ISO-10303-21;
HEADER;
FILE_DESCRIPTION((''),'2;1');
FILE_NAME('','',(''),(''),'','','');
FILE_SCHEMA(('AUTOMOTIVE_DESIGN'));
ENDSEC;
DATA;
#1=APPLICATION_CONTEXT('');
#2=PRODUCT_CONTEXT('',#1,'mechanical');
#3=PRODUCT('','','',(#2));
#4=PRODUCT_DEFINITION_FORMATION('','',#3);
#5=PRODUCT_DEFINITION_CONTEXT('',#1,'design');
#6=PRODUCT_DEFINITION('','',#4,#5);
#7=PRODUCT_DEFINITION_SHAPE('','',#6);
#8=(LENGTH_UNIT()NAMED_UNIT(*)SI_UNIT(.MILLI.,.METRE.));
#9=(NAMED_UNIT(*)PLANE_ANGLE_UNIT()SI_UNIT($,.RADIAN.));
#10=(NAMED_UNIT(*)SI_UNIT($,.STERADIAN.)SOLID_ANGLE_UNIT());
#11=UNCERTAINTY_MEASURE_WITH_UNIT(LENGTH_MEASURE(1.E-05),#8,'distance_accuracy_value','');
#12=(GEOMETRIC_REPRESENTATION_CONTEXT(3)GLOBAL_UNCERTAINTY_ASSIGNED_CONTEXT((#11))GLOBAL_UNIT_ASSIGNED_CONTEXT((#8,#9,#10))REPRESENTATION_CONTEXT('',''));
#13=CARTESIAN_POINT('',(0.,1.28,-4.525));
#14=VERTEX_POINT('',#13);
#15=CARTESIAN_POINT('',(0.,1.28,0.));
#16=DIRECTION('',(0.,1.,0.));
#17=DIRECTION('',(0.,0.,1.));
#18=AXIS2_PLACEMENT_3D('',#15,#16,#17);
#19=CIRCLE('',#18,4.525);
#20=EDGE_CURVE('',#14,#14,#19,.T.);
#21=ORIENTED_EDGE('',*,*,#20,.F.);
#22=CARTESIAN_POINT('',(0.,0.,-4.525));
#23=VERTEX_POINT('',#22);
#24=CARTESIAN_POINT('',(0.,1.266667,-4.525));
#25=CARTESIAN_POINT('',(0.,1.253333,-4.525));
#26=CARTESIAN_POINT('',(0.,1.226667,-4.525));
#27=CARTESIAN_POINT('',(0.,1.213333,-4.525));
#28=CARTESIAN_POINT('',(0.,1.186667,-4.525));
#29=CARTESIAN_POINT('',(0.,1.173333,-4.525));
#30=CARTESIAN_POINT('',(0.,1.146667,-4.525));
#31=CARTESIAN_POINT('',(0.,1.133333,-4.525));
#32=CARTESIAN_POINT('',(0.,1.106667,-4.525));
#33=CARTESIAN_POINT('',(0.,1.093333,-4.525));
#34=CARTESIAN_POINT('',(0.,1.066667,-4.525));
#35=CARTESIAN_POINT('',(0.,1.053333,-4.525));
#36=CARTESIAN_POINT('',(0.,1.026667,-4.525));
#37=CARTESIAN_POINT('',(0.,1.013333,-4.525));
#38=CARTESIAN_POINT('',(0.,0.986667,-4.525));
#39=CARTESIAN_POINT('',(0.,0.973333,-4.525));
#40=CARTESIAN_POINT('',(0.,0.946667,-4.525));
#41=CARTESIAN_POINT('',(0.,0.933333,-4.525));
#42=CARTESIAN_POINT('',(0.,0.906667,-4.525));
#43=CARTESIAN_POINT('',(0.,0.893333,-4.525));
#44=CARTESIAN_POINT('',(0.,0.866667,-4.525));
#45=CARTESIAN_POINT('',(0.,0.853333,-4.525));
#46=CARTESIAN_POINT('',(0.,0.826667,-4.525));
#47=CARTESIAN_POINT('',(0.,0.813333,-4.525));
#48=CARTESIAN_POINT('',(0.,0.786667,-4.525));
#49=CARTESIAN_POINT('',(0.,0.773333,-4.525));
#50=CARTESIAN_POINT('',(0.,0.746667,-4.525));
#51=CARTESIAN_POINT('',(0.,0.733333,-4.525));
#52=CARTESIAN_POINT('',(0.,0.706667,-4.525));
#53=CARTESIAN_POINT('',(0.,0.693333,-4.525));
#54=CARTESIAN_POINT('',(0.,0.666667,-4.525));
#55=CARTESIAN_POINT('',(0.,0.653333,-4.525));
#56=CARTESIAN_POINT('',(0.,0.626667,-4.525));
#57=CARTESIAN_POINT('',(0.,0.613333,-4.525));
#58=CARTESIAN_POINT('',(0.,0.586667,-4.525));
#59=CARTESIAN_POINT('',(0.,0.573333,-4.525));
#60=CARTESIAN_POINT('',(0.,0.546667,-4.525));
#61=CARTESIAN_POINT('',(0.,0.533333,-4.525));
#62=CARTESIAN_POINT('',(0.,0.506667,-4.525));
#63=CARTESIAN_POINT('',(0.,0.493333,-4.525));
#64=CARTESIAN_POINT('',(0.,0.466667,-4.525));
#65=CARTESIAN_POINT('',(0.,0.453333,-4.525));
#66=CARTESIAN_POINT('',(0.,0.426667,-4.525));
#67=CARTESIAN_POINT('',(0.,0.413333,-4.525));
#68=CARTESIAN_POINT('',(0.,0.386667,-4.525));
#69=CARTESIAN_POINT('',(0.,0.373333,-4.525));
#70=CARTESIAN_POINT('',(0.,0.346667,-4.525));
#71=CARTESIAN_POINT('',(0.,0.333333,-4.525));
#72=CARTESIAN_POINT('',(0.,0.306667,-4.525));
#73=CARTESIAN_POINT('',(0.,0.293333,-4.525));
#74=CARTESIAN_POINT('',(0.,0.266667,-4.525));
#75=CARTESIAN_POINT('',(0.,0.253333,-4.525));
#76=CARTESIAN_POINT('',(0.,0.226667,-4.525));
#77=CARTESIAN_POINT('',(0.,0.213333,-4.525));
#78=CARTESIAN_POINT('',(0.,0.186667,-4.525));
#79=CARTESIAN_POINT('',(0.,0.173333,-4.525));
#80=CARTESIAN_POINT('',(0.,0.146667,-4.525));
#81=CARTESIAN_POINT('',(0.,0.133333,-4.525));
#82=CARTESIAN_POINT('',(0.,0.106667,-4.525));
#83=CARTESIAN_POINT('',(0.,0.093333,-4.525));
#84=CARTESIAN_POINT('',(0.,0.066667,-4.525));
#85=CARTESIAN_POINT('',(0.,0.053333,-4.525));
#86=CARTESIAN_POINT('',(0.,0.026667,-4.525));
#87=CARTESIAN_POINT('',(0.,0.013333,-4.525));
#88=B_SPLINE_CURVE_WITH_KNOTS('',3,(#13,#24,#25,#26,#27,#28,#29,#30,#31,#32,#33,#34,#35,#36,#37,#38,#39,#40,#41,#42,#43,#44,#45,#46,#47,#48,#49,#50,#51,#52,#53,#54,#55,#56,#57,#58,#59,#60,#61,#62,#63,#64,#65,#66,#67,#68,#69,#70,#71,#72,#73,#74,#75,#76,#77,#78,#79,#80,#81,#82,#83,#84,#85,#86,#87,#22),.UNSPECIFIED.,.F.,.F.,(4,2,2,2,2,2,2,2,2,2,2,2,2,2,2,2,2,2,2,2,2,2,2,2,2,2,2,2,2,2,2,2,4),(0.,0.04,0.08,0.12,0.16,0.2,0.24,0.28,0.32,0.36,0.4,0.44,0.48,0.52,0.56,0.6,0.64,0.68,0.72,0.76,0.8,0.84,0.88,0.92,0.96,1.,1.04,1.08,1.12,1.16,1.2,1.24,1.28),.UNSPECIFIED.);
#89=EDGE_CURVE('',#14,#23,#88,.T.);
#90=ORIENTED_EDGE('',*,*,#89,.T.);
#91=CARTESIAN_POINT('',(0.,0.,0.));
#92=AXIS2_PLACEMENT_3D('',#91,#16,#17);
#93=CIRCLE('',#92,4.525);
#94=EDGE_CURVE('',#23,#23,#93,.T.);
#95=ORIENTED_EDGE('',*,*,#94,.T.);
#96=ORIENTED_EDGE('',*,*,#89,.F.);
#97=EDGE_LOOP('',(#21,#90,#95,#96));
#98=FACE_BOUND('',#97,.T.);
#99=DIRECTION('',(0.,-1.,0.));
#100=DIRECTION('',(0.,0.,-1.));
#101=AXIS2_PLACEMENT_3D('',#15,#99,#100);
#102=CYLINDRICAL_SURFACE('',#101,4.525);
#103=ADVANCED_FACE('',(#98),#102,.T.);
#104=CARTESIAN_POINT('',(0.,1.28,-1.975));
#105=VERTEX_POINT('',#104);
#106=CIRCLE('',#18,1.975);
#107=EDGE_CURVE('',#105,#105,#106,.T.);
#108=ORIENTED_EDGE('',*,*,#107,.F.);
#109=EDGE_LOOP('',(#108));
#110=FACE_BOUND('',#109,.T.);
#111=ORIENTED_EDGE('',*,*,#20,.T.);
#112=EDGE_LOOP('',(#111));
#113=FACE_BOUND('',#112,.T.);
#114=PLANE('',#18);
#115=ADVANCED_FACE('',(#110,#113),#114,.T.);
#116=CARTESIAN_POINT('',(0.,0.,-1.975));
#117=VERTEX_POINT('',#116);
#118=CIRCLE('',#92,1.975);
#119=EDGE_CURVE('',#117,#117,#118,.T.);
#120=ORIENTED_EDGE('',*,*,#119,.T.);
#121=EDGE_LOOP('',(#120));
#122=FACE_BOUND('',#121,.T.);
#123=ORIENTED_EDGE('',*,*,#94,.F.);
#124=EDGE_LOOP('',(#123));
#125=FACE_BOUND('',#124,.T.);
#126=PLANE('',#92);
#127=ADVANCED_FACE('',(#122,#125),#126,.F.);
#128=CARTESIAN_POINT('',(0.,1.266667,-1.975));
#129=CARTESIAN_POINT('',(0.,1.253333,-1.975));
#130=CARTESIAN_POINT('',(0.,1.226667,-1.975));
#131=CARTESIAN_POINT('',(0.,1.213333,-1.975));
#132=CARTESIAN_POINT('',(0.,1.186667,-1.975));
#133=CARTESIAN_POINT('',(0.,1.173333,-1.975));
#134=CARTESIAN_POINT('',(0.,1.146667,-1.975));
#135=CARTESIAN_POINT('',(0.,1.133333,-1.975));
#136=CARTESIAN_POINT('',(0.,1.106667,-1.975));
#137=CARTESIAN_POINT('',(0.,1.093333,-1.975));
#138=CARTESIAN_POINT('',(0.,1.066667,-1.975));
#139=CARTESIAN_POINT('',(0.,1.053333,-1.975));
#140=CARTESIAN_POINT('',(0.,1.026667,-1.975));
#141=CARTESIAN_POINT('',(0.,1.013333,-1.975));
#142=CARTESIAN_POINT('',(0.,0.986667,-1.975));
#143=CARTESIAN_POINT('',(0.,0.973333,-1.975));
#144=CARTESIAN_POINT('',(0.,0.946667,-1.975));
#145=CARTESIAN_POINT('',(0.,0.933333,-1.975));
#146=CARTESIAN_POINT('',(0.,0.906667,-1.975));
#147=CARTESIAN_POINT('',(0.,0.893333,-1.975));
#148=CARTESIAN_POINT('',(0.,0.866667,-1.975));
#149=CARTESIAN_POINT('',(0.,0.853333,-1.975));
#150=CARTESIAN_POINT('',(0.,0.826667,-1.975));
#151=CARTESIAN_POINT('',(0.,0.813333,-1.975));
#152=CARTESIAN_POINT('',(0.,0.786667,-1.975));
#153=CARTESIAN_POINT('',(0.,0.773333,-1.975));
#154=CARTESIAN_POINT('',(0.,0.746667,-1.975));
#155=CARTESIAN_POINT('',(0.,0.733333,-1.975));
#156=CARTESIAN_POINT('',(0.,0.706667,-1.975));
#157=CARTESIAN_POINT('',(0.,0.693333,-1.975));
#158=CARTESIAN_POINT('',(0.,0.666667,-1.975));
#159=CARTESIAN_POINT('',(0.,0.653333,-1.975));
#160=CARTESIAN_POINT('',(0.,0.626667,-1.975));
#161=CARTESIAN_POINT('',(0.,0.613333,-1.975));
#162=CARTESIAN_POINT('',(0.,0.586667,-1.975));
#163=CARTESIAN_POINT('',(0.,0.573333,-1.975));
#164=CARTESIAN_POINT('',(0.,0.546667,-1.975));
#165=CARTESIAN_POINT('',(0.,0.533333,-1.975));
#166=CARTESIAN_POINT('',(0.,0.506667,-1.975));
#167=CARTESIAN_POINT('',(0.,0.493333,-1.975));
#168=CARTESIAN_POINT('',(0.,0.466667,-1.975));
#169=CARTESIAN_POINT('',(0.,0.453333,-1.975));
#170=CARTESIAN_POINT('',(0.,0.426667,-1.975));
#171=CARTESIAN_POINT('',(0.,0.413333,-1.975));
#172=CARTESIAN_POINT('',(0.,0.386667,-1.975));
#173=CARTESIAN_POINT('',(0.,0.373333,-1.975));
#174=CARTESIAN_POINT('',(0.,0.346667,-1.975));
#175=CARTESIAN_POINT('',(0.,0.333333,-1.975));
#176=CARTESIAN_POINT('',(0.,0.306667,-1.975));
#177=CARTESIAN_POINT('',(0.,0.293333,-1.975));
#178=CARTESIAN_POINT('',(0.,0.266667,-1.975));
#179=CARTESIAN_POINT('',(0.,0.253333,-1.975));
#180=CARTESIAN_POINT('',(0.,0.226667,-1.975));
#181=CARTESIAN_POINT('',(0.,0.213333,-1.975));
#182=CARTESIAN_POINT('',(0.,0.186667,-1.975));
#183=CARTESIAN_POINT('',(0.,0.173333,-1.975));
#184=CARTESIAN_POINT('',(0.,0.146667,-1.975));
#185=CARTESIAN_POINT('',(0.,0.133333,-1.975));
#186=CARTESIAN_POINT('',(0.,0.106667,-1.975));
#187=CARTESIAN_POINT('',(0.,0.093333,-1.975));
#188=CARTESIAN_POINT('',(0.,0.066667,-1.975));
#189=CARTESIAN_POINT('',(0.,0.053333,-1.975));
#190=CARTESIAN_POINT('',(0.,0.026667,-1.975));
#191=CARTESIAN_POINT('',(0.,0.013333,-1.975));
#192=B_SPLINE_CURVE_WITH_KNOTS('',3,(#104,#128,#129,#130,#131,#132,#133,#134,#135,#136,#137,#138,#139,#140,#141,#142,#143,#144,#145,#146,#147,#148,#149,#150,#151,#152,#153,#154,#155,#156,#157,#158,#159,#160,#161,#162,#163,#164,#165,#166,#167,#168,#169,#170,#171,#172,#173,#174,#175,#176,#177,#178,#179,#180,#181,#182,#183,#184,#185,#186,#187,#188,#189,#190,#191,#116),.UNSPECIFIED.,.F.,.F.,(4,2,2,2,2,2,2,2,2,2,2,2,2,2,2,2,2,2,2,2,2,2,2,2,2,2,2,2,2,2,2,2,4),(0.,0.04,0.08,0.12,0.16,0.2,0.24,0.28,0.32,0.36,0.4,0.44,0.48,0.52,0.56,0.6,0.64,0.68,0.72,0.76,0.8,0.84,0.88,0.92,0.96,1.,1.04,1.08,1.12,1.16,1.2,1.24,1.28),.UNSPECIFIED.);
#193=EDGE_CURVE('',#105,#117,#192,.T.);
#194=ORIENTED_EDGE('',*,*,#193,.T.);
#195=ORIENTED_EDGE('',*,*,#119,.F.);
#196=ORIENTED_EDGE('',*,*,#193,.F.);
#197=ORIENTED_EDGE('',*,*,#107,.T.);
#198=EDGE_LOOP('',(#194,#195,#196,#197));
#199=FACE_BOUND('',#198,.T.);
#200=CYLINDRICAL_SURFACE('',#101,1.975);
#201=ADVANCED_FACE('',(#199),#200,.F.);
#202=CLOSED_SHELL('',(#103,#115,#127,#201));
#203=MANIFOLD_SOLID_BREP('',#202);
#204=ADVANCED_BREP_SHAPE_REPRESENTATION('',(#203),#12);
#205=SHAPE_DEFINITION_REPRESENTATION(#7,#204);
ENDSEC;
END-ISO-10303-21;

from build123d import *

# Parameters (mm, degrees)
SKETCH1_R           = 4.525
SKETCH1_R_2         = 1.975
BOSS_EXTRUDE1_DEPTH = 1.28


with BuildPart() as part:
    # Sketch1 → Boss-Extrude1 (new body)
    with BuildSketch(Plane(origin=(0, 0, 0), x_dir=(1, 0, 0), z_dir=(0, 1, 0))):
        with Locations(Location((0, 0, 0), (0, 0, 90))):
            Circle(SKETCH1_R)
        with Locations(Location((0, 0, 0), (0, 0, 90))):
            Circle(SKETCH1_R_2, mode=Mode.SUBTRACT)
    extrude(amount=BOSS_EXTRUDE1_DEPTH)


solid = part.part
